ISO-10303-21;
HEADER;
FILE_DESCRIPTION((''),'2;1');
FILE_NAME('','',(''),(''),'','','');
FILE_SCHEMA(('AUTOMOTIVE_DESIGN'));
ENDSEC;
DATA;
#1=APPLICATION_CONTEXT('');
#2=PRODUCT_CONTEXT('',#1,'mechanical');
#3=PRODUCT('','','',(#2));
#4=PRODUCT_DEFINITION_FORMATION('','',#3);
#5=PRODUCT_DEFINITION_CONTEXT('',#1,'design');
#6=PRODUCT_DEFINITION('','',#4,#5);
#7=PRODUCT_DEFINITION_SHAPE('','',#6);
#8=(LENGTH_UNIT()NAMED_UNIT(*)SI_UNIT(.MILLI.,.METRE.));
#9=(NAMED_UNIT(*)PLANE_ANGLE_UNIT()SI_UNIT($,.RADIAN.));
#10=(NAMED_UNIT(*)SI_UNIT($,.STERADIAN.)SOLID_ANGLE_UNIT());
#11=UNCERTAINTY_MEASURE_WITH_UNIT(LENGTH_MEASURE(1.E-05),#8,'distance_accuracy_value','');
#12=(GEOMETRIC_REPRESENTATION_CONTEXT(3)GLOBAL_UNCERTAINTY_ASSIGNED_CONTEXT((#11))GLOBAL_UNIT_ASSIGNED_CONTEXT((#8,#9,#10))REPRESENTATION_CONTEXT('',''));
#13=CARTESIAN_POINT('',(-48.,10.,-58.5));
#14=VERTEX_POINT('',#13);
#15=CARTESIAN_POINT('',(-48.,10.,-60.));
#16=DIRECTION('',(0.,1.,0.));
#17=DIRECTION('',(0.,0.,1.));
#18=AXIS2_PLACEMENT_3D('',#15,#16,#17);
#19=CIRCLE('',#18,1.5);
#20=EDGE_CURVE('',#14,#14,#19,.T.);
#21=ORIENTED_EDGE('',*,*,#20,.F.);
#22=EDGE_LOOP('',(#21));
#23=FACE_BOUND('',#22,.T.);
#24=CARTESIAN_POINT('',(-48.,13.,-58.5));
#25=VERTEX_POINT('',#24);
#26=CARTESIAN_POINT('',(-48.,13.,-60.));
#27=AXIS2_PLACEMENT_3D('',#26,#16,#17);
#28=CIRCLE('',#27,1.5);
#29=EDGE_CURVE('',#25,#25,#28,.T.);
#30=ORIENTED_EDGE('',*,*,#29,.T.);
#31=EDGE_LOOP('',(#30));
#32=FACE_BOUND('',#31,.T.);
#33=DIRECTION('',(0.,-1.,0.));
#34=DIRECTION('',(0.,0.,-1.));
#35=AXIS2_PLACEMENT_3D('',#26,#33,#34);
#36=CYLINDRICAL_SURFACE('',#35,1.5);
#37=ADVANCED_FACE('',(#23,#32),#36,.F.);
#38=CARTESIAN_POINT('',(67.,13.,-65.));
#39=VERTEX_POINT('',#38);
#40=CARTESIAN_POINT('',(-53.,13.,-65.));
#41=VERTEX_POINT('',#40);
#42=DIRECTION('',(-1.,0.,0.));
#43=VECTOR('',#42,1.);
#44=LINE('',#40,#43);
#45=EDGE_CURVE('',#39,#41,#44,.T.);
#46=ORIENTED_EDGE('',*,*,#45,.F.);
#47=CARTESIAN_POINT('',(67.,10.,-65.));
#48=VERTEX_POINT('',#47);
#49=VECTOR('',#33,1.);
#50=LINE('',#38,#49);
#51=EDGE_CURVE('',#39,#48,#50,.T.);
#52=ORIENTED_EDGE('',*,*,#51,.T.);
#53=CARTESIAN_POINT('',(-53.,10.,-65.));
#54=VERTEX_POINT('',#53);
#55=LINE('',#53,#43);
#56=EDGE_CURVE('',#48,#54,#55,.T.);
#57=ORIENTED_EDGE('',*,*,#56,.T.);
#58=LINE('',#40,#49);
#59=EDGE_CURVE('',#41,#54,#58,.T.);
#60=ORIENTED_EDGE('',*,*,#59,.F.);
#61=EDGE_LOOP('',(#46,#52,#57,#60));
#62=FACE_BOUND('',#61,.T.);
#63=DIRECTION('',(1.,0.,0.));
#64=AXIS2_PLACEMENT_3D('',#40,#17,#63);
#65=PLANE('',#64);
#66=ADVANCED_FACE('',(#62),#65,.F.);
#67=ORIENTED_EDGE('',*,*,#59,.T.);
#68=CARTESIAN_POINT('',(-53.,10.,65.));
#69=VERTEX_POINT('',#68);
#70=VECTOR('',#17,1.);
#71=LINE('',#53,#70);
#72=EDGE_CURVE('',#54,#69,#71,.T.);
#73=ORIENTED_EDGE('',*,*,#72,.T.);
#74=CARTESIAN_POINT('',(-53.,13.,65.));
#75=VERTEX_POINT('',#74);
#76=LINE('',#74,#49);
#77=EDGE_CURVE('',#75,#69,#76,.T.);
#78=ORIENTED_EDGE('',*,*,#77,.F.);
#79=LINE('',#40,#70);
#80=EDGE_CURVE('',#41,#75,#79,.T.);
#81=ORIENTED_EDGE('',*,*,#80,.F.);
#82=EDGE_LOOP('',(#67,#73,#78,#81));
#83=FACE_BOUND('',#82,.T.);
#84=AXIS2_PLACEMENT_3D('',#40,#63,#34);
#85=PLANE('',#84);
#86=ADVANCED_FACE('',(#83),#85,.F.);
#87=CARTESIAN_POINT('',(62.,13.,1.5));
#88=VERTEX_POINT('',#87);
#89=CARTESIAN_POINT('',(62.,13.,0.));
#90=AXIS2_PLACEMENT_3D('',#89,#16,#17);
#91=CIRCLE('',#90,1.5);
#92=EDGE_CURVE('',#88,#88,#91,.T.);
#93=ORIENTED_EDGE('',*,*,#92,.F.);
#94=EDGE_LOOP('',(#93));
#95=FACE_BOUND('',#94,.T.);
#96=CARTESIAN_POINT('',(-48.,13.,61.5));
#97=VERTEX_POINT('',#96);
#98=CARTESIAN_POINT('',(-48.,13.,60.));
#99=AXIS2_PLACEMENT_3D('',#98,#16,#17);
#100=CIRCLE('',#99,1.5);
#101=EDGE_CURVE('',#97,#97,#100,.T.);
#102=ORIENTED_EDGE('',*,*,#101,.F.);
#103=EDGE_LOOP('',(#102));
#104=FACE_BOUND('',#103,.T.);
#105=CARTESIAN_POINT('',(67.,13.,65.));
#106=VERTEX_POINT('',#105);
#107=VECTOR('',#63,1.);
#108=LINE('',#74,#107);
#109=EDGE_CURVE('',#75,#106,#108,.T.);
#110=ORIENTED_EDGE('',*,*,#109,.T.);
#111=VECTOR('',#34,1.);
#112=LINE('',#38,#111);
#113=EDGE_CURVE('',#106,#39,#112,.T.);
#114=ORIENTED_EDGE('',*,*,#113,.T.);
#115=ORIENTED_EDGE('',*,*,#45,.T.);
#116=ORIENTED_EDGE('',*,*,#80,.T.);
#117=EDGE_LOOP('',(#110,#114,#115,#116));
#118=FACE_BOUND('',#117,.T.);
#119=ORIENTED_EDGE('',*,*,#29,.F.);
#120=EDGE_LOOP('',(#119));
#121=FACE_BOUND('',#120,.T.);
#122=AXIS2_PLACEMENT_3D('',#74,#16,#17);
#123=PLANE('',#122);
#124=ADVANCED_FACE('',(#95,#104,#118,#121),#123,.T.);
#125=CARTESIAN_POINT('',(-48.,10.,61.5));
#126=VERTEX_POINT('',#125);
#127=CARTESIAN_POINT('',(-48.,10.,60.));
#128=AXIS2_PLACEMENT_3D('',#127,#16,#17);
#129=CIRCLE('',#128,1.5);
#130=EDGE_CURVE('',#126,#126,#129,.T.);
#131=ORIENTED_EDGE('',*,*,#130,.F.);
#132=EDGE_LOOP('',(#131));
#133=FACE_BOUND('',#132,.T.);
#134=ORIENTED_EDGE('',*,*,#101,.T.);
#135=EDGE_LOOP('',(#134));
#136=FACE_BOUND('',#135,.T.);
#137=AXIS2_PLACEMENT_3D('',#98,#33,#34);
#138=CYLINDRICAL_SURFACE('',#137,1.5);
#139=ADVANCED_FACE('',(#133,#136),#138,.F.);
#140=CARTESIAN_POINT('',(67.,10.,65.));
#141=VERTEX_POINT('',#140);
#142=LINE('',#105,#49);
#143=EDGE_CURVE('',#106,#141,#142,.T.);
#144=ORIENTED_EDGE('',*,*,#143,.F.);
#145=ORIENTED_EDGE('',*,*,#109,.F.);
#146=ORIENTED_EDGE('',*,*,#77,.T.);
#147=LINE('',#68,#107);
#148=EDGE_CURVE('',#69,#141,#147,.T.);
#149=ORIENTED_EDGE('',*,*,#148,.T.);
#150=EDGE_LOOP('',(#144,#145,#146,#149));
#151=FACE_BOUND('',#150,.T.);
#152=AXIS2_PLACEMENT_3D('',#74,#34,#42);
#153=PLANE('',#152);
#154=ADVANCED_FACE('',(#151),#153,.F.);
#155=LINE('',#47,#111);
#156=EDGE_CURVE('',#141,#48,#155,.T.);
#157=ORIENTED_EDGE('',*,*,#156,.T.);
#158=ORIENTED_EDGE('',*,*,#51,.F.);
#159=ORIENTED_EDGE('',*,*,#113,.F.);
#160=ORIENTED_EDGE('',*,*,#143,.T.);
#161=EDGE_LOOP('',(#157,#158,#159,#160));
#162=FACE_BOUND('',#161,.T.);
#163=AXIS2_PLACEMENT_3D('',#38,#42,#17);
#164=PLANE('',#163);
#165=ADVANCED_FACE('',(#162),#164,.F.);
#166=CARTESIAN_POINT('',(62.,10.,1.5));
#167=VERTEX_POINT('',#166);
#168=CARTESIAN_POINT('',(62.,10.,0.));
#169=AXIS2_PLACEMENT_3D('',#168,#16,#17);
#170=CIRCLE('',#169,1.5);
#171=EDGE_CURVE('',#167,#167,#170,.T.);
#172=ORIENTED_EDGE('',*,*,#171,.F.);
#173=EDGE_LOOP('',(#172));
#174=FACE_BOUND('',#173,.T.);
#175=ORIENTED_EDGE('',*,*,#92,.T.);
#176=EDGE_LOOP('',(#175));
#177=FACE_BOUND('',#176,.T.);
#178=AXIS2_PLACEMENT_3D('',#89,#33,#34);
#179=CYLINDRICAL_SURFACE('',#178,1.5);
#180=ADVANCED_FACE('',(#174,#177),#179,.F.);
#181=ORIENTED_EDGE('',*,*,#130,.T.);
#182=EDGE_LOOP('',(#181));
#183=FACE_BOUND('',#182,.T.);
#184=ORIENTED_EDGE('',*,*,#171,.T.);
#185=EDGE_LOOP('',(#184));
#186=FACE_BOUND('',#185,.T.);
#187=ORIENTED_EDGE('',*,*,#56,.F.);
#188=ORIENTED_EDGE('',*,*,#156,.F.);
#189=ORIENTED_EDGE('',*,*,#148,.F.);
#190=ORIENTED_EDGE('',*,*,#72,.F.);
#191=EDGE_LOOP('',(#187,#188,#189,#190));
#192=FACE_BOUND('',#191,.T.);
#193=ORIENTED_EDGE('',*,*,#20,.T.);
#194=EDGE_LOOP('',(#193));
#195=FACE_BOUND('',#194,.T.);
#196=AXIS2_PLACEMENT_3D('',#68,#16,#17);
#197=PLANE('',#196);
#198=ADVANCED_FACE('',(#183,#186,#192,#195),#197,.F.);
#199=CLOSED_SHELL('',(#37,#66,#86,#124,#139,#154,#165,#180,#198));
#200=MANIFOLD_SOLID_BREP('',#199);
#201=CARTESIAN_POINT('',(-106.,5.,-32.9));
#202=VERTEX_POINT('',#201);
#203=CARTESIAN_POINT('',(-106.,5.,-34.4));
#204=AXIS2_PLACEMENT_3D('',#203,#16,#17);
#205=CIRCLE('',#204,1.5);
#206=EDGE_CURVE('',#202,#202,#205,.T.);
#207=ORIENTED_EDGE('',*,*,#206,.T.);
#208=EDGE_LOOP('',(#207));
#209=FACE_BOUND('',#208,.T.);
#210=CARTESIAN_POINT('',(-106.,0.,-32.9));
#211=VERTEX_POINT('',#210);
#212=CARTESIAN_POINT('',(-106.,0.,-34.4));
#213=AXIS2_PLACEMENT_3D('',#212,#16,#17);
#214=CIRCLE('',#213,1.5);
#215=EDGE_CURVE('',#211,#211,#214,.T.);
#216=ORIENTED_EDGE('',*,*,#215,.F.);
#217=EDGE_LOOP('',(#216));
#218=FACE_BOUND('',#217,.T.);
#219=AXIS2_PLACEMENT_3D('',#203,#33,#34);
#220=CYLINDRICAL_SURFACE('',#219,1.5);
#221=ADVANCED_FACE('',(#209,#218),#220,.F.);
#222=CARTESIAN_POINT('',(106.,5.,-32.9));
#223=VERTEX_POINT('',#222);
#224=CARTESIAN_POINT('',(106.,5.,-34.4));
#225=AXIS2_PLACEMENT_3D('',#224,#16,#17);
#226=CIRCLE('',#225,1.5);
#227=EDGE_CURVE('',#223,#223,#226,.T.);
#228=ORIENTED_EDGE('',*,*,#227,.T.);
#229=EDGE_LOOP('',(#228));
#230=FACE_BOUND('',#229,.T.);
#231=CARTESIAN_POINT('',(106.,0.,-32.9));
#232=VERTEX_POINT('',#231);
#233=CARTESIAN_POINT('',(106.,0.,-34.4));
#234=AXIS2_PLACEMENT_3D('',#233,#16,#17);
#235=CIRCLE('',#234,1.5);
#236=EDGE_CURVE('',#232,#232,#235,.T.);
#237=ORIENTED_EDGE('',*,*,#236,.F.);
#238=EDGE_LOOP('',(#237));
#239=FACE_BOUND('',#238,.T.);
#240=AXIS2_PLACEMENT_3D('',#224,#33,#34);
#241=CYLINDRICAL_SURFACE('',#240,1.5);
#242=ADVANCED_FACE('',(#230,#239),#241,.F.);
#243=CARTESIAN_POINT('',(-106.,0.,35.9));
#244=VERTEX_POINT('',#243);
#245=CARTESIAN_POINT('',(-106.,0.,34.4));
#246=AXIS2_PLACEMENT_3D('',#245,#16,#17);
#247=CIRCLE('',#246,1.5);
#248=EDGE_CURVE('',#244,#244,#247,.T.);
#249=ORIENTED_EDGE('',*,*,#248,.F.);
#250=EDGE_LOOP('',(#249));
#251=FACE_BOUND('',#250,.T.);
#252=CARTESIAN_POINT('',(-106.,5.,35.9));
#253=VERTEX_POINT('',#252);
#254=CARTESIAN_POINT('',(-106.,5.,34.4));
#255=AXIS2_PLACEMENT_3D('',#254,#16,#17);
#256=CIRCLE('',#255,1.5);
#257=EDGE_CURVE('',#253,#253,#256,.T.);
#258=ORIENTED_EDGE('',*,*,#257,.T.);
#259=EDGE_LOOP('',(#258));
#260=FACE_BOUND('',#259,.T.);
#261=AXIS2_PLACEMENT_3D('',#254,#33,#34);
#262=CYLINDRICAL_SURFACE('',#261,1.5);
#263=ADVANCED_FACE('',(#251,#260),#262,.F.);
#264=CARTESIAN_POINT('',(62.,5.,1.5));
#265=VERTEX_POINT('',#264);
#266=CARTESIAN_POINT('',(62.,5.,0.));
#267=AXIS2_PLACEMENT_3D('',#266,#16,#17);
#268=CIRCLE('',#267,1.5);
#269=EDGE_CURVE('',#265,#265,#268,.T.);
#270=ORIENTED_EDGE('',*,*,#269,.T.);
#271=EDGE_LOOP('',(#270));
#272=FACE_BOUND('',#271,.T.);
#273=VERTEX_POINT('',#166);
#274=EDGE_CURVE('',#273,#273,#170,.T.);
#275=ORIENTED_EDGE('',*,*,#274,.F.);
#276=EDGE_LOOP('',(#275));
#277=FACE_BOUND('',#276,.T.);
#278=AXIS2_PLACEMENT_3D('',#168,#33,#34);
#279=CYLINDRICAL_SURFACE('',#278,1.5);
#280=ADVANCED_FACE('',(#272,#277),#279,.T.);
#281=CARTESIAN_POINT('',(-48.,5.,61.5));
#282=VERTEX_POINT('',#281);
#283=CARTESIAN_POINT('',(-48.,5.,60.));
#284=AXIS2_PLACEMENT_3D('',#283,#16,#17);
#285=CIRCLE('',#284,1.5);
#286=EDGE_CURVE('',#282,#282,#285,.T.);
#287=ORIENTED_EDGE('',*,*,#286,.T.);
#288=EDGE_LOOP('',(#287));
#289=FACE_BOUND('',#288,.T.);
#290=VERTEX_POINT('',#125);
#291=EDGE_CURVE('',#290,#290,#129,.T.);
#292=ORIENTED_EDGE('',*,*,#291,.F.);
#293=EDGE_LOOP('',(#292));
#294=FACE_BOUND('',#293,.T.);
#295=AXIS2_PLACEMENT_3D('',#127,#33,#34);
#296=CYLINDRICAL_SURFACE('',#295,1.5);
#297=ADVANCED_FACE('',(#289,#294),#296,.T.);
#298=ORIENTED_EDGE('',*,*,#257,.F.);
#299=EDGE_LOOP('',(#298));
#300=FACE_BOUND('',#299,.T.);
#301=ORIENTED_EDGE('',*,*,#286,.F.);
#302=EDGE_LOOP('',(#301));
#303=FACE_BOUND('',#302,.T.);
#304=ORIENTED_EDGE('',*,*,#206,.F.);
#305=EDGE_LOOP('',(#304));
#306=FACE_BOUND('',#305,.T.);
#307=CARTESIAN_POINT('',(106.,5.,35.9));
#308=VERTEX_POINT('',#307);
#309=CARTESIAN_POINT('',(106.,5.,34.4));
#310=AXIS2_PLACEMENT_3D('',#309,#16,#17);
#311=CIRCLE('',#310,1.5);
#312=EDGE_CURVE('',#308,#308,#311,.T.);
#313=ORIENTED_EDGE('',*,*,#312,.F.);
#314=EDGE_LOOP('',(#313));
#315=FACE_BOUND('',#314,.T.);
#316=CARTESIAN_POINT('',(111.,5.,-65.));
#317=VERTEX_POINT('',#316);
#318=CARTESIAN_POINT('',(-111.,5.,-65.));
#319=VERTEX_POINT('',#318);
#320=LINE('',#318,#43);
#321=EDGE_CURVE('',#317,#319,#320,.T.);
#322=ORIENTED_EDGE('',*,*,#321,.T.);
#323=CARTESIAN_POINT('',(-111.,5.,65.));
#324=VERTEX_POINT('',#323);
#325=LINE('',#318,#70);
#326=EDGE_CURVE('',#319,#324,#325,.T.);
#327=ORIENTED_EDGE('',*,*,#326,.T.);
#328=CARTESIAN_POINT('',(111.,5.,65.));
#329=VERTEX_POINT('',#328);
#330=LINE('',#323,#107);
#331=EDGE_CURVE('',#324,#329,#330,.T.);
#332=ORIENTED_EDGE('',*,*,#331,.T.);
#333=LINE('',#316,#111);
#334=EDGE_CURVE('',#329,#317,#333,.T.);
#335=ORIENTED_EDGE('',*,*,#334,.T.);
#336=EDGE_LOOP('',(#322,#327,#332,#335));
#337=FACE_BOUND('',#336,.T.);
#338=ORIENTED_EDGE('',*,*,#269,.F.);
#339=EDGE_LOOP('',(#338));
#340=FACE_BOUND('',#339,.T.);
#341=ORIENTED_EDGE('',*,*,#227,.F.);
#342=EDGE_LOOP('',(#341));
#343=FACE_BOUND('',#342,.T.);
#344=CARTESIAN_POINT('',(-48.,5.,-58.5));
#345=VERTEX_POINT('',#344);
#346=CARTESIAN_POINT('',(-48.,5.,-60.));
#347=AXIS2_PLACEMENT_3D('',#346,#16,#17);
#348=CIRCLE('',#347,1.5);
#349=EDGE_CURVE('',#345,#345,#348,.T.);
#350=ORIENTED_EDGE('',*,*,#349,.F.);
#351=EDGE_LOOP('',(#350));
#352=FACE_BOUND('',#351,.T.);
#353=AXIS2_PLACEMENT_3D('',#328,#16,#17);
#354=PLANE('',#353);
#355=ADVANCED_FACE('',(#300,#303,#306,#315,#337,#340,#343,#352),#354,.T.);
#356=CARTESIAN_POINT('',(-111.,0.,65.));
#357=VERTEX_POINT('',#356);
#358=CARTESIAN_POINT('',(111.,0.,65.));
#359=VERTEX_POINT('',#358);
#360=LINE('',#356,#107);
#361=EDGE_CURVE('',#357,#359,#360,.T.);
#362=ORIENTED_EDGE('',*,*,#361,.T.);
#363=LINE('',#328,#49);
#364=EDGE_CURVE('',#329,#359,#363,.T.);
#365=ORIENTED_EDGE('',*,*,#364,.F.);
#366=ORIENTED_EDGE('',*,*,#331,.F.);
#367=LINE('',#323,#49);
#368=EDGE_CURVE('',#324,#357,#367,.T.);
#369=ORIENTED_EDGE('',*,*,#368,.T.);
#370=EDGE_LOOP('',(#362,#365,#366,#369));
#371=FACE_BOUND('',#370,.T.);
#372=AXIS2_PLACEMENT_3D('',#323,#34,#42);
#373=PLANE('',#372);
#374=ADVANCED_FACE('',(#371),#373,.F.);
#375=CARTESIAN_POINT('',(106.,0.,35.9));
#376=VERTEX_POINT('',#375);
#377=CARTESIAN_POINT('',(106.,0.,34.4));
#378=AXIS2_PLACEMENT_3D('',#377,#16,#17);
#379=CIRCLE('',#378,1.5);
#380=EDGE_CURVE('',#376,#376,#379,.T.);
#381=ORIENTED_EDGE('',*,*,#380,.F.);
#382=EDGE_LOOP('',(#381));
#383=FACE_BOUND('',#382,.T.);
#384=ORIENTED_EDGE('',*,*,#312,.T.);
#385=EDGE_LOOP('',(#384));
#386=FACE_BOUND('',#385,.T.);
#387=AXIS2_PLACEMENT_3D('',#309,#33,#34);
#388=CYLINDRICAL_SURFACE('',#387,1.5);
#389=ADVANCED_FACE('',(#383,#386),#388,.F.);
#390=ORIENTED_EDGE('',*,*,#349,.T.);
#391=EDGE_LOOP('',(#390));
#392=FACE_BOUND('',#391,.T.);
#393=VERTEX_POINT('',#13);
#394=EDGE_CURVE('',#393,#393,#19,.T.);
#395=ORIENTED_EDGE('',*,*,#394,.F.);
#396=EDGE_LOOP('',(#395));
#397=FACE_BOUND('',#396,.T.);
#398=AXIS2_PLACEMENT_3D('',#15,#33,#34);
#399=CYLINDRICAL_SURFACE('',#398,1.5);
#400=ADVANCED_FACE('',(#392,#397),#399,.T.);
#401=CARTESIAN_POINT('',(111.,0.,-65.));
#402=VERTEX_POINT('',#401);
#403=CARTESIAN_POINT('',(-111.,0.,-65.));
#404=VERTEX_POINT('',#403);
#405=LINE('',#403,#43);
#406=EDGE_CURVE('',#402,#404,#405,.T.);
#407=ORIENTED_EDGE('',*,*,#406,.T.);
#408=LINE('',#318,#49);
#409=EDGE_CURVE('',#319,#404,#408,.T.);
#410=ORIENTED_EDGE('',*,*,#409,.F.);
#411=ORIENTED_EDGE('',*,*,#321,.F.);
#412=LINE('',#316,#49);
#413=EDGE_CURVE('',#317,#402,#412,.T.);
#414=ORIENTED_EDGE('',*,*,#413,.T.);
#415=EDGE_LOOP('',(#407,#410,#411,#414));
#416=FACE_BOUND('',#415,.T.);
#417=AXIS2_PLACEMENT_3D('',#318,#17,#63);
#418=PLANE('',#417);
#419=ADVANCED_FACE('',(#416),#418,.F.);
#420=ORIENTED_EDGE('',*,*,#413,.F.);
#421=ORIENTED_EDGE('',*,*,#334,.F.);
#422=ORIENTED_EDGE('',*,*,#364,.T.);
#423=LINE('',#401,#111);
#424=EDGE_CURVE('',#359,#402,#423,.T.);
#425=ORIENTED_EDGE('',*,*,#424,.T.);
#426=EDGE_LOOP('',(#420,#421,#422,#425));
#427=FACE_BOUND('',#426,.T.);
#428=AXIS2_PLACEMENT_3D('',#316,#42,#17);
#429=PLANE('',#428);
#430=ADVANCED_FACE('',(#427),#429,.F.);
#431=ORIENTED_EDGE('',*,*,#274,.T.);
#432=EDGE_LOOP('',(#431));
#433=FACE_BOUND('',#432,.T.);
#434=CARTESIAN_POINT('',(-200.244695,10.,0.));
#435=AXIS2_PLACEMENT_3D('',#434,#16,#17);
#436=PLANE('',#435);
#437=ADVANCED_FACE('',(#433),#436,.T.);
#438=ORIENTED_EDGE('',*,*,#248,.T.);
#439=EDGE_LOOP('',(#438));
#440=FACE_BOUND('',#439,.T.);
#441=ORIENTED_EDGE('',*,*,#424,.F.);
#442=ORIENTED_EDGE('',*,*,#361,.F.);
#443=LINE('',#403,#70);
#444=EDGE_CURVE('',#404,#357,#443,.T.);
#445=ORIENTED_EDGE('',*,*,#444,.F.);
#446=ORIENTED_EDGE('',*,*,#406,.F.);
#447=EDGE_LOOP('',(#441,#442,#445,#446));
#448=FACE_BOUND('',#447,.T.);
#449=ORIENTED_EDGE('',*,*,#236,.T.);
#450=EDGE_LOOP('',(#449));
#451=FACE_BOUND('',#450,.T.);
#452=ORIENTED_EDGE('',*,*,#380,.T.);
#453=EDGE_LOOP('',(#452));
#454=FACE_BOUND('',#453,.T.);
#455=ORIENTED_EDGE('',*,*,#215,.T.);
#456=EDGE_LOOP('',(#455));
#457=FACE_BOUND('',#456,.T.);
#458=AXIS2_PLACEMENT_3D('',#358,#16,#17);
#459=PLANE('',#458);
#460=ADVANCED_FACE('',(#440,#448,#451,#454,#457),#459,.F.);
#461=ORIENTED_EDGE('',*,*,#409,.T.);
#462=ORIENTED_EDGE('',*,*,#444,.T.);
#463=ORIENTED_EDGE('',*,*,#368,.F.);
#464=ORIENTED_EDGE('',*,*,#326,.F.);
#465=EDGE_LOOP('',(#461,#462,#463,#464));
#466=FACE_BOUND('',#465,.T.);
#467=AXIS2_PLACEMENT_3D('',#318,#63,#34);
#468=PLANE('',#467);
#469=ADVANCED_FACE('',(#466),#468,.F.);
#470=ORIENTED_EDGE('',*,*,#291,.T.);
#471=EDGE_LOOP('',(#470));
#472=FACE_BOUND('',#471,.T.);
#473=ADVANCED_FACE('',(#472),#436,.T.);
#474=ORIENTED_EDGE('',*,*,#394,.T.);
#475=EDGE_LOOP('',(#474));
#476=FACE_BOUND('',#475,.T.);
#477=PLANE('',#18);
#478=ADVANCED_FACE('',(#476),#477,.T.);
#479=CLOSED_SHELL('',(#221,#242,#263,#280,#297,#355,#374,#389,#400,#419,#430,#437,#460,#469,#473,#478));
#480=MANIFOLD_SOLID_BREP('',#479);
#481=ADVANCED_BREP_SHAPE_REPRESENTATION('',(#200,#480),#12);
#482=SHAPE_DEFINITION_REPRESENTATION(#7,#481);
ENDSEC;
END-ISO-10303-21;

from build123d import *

# Parameters (mm, degrees)
ESBO_O1_W                = 222
ESBO_O1_H                = 130
ESBO_O1_R                = 1.5
RESSALTO_EXTRUS_O1_DEPTH = 5
ESBO_O2_R                = 1.5
RESSALTO_EXTRUS_O2_DEPTH = 5
RESSALTO_EXTRUS_O3_START = 5
ESBO_O2_3_W              = 120
ESBO_O2_3_H              = 130
ESBO_O2_3_R              = 1.5
RESSALTO_EXTRUS_O3_DEPTH = 3


with BuildPart() as part:
    # Esboço1 → Ressalto-extrusão1 (new body)
    with BuildSketch(Plane(origin=(0, 0, 0), x_dir=(1, 0, 0), z_dir=(0, 1, 0))):
        Rectangle(ESBO_O1_W, ESBO_O1_H)
        with Locations((-106, 34.4)):
            Circle(ESBO_O1_R, mode=Mode.SUBTRACT)
        with Locations((-106, -34.4)):
            Circle(ESBO_O1_R, mode=Mode.SUBTRACT)
        with Locations((106, 34.4)):
            Circle(ESBO_O1_R, mode=Mode.SUBTRACT)
        with Locations((106, -34.4)):
            Circle(ESBO_O1_R, mode=Mode.SUBTRACT)
    extrude(amount=RESSALTO_EXTRUS_O1_DEPTH)

    # Esboço2 → Ressalto-extrusão2 (add)
    with BuildSketch(Plane(origin=(0, 5, 0), x_dir=(1, 0, 0), z_dir=(0, 1, 0))):
        with Locations((-48, -60)):
            Circle(ESBO_O2_R)
        with Locations((62, 0)):
            Circle(ESBO_O2_R)
        with Locations((-48, 60)):
            Circle(ESBO_O2_R)
    extrude(amount=RESSALTO_EXTRUS_O2_DEPTH)


with BuildPart() as body_2:
    # Esboço2<3> → Ressalto-extrusão3 (new body)
    with BuildSketch(Plane(origin=(0, 5, 0), x_dir=(1, 0, 0), z_dir=(0, 1, 0)).offset(RESSALTO_EXTRUS_O3_START)):
        with Locations((7, 0)):
            Rectangle(ESBO_O2_3_W, ESBO_O2_3_H)
        with Locations((-48, -60)):
            Circle(ESBO_O2_3_R, mode=Mode.SUBTRACT)
        with Locations((62, 0)):
            Circle(ESBO_O2_3_R, mode=Mode.SUBTRACT)
        with Locations((-48, 60)):
            Circle(ESBO_O2_3_R, mode=Mode.SUBTRACT)
    extrude(amount=RESSALTO_EXTRUS_O3_DEPTH)


solid = Compound([part.part, body_2.part])
